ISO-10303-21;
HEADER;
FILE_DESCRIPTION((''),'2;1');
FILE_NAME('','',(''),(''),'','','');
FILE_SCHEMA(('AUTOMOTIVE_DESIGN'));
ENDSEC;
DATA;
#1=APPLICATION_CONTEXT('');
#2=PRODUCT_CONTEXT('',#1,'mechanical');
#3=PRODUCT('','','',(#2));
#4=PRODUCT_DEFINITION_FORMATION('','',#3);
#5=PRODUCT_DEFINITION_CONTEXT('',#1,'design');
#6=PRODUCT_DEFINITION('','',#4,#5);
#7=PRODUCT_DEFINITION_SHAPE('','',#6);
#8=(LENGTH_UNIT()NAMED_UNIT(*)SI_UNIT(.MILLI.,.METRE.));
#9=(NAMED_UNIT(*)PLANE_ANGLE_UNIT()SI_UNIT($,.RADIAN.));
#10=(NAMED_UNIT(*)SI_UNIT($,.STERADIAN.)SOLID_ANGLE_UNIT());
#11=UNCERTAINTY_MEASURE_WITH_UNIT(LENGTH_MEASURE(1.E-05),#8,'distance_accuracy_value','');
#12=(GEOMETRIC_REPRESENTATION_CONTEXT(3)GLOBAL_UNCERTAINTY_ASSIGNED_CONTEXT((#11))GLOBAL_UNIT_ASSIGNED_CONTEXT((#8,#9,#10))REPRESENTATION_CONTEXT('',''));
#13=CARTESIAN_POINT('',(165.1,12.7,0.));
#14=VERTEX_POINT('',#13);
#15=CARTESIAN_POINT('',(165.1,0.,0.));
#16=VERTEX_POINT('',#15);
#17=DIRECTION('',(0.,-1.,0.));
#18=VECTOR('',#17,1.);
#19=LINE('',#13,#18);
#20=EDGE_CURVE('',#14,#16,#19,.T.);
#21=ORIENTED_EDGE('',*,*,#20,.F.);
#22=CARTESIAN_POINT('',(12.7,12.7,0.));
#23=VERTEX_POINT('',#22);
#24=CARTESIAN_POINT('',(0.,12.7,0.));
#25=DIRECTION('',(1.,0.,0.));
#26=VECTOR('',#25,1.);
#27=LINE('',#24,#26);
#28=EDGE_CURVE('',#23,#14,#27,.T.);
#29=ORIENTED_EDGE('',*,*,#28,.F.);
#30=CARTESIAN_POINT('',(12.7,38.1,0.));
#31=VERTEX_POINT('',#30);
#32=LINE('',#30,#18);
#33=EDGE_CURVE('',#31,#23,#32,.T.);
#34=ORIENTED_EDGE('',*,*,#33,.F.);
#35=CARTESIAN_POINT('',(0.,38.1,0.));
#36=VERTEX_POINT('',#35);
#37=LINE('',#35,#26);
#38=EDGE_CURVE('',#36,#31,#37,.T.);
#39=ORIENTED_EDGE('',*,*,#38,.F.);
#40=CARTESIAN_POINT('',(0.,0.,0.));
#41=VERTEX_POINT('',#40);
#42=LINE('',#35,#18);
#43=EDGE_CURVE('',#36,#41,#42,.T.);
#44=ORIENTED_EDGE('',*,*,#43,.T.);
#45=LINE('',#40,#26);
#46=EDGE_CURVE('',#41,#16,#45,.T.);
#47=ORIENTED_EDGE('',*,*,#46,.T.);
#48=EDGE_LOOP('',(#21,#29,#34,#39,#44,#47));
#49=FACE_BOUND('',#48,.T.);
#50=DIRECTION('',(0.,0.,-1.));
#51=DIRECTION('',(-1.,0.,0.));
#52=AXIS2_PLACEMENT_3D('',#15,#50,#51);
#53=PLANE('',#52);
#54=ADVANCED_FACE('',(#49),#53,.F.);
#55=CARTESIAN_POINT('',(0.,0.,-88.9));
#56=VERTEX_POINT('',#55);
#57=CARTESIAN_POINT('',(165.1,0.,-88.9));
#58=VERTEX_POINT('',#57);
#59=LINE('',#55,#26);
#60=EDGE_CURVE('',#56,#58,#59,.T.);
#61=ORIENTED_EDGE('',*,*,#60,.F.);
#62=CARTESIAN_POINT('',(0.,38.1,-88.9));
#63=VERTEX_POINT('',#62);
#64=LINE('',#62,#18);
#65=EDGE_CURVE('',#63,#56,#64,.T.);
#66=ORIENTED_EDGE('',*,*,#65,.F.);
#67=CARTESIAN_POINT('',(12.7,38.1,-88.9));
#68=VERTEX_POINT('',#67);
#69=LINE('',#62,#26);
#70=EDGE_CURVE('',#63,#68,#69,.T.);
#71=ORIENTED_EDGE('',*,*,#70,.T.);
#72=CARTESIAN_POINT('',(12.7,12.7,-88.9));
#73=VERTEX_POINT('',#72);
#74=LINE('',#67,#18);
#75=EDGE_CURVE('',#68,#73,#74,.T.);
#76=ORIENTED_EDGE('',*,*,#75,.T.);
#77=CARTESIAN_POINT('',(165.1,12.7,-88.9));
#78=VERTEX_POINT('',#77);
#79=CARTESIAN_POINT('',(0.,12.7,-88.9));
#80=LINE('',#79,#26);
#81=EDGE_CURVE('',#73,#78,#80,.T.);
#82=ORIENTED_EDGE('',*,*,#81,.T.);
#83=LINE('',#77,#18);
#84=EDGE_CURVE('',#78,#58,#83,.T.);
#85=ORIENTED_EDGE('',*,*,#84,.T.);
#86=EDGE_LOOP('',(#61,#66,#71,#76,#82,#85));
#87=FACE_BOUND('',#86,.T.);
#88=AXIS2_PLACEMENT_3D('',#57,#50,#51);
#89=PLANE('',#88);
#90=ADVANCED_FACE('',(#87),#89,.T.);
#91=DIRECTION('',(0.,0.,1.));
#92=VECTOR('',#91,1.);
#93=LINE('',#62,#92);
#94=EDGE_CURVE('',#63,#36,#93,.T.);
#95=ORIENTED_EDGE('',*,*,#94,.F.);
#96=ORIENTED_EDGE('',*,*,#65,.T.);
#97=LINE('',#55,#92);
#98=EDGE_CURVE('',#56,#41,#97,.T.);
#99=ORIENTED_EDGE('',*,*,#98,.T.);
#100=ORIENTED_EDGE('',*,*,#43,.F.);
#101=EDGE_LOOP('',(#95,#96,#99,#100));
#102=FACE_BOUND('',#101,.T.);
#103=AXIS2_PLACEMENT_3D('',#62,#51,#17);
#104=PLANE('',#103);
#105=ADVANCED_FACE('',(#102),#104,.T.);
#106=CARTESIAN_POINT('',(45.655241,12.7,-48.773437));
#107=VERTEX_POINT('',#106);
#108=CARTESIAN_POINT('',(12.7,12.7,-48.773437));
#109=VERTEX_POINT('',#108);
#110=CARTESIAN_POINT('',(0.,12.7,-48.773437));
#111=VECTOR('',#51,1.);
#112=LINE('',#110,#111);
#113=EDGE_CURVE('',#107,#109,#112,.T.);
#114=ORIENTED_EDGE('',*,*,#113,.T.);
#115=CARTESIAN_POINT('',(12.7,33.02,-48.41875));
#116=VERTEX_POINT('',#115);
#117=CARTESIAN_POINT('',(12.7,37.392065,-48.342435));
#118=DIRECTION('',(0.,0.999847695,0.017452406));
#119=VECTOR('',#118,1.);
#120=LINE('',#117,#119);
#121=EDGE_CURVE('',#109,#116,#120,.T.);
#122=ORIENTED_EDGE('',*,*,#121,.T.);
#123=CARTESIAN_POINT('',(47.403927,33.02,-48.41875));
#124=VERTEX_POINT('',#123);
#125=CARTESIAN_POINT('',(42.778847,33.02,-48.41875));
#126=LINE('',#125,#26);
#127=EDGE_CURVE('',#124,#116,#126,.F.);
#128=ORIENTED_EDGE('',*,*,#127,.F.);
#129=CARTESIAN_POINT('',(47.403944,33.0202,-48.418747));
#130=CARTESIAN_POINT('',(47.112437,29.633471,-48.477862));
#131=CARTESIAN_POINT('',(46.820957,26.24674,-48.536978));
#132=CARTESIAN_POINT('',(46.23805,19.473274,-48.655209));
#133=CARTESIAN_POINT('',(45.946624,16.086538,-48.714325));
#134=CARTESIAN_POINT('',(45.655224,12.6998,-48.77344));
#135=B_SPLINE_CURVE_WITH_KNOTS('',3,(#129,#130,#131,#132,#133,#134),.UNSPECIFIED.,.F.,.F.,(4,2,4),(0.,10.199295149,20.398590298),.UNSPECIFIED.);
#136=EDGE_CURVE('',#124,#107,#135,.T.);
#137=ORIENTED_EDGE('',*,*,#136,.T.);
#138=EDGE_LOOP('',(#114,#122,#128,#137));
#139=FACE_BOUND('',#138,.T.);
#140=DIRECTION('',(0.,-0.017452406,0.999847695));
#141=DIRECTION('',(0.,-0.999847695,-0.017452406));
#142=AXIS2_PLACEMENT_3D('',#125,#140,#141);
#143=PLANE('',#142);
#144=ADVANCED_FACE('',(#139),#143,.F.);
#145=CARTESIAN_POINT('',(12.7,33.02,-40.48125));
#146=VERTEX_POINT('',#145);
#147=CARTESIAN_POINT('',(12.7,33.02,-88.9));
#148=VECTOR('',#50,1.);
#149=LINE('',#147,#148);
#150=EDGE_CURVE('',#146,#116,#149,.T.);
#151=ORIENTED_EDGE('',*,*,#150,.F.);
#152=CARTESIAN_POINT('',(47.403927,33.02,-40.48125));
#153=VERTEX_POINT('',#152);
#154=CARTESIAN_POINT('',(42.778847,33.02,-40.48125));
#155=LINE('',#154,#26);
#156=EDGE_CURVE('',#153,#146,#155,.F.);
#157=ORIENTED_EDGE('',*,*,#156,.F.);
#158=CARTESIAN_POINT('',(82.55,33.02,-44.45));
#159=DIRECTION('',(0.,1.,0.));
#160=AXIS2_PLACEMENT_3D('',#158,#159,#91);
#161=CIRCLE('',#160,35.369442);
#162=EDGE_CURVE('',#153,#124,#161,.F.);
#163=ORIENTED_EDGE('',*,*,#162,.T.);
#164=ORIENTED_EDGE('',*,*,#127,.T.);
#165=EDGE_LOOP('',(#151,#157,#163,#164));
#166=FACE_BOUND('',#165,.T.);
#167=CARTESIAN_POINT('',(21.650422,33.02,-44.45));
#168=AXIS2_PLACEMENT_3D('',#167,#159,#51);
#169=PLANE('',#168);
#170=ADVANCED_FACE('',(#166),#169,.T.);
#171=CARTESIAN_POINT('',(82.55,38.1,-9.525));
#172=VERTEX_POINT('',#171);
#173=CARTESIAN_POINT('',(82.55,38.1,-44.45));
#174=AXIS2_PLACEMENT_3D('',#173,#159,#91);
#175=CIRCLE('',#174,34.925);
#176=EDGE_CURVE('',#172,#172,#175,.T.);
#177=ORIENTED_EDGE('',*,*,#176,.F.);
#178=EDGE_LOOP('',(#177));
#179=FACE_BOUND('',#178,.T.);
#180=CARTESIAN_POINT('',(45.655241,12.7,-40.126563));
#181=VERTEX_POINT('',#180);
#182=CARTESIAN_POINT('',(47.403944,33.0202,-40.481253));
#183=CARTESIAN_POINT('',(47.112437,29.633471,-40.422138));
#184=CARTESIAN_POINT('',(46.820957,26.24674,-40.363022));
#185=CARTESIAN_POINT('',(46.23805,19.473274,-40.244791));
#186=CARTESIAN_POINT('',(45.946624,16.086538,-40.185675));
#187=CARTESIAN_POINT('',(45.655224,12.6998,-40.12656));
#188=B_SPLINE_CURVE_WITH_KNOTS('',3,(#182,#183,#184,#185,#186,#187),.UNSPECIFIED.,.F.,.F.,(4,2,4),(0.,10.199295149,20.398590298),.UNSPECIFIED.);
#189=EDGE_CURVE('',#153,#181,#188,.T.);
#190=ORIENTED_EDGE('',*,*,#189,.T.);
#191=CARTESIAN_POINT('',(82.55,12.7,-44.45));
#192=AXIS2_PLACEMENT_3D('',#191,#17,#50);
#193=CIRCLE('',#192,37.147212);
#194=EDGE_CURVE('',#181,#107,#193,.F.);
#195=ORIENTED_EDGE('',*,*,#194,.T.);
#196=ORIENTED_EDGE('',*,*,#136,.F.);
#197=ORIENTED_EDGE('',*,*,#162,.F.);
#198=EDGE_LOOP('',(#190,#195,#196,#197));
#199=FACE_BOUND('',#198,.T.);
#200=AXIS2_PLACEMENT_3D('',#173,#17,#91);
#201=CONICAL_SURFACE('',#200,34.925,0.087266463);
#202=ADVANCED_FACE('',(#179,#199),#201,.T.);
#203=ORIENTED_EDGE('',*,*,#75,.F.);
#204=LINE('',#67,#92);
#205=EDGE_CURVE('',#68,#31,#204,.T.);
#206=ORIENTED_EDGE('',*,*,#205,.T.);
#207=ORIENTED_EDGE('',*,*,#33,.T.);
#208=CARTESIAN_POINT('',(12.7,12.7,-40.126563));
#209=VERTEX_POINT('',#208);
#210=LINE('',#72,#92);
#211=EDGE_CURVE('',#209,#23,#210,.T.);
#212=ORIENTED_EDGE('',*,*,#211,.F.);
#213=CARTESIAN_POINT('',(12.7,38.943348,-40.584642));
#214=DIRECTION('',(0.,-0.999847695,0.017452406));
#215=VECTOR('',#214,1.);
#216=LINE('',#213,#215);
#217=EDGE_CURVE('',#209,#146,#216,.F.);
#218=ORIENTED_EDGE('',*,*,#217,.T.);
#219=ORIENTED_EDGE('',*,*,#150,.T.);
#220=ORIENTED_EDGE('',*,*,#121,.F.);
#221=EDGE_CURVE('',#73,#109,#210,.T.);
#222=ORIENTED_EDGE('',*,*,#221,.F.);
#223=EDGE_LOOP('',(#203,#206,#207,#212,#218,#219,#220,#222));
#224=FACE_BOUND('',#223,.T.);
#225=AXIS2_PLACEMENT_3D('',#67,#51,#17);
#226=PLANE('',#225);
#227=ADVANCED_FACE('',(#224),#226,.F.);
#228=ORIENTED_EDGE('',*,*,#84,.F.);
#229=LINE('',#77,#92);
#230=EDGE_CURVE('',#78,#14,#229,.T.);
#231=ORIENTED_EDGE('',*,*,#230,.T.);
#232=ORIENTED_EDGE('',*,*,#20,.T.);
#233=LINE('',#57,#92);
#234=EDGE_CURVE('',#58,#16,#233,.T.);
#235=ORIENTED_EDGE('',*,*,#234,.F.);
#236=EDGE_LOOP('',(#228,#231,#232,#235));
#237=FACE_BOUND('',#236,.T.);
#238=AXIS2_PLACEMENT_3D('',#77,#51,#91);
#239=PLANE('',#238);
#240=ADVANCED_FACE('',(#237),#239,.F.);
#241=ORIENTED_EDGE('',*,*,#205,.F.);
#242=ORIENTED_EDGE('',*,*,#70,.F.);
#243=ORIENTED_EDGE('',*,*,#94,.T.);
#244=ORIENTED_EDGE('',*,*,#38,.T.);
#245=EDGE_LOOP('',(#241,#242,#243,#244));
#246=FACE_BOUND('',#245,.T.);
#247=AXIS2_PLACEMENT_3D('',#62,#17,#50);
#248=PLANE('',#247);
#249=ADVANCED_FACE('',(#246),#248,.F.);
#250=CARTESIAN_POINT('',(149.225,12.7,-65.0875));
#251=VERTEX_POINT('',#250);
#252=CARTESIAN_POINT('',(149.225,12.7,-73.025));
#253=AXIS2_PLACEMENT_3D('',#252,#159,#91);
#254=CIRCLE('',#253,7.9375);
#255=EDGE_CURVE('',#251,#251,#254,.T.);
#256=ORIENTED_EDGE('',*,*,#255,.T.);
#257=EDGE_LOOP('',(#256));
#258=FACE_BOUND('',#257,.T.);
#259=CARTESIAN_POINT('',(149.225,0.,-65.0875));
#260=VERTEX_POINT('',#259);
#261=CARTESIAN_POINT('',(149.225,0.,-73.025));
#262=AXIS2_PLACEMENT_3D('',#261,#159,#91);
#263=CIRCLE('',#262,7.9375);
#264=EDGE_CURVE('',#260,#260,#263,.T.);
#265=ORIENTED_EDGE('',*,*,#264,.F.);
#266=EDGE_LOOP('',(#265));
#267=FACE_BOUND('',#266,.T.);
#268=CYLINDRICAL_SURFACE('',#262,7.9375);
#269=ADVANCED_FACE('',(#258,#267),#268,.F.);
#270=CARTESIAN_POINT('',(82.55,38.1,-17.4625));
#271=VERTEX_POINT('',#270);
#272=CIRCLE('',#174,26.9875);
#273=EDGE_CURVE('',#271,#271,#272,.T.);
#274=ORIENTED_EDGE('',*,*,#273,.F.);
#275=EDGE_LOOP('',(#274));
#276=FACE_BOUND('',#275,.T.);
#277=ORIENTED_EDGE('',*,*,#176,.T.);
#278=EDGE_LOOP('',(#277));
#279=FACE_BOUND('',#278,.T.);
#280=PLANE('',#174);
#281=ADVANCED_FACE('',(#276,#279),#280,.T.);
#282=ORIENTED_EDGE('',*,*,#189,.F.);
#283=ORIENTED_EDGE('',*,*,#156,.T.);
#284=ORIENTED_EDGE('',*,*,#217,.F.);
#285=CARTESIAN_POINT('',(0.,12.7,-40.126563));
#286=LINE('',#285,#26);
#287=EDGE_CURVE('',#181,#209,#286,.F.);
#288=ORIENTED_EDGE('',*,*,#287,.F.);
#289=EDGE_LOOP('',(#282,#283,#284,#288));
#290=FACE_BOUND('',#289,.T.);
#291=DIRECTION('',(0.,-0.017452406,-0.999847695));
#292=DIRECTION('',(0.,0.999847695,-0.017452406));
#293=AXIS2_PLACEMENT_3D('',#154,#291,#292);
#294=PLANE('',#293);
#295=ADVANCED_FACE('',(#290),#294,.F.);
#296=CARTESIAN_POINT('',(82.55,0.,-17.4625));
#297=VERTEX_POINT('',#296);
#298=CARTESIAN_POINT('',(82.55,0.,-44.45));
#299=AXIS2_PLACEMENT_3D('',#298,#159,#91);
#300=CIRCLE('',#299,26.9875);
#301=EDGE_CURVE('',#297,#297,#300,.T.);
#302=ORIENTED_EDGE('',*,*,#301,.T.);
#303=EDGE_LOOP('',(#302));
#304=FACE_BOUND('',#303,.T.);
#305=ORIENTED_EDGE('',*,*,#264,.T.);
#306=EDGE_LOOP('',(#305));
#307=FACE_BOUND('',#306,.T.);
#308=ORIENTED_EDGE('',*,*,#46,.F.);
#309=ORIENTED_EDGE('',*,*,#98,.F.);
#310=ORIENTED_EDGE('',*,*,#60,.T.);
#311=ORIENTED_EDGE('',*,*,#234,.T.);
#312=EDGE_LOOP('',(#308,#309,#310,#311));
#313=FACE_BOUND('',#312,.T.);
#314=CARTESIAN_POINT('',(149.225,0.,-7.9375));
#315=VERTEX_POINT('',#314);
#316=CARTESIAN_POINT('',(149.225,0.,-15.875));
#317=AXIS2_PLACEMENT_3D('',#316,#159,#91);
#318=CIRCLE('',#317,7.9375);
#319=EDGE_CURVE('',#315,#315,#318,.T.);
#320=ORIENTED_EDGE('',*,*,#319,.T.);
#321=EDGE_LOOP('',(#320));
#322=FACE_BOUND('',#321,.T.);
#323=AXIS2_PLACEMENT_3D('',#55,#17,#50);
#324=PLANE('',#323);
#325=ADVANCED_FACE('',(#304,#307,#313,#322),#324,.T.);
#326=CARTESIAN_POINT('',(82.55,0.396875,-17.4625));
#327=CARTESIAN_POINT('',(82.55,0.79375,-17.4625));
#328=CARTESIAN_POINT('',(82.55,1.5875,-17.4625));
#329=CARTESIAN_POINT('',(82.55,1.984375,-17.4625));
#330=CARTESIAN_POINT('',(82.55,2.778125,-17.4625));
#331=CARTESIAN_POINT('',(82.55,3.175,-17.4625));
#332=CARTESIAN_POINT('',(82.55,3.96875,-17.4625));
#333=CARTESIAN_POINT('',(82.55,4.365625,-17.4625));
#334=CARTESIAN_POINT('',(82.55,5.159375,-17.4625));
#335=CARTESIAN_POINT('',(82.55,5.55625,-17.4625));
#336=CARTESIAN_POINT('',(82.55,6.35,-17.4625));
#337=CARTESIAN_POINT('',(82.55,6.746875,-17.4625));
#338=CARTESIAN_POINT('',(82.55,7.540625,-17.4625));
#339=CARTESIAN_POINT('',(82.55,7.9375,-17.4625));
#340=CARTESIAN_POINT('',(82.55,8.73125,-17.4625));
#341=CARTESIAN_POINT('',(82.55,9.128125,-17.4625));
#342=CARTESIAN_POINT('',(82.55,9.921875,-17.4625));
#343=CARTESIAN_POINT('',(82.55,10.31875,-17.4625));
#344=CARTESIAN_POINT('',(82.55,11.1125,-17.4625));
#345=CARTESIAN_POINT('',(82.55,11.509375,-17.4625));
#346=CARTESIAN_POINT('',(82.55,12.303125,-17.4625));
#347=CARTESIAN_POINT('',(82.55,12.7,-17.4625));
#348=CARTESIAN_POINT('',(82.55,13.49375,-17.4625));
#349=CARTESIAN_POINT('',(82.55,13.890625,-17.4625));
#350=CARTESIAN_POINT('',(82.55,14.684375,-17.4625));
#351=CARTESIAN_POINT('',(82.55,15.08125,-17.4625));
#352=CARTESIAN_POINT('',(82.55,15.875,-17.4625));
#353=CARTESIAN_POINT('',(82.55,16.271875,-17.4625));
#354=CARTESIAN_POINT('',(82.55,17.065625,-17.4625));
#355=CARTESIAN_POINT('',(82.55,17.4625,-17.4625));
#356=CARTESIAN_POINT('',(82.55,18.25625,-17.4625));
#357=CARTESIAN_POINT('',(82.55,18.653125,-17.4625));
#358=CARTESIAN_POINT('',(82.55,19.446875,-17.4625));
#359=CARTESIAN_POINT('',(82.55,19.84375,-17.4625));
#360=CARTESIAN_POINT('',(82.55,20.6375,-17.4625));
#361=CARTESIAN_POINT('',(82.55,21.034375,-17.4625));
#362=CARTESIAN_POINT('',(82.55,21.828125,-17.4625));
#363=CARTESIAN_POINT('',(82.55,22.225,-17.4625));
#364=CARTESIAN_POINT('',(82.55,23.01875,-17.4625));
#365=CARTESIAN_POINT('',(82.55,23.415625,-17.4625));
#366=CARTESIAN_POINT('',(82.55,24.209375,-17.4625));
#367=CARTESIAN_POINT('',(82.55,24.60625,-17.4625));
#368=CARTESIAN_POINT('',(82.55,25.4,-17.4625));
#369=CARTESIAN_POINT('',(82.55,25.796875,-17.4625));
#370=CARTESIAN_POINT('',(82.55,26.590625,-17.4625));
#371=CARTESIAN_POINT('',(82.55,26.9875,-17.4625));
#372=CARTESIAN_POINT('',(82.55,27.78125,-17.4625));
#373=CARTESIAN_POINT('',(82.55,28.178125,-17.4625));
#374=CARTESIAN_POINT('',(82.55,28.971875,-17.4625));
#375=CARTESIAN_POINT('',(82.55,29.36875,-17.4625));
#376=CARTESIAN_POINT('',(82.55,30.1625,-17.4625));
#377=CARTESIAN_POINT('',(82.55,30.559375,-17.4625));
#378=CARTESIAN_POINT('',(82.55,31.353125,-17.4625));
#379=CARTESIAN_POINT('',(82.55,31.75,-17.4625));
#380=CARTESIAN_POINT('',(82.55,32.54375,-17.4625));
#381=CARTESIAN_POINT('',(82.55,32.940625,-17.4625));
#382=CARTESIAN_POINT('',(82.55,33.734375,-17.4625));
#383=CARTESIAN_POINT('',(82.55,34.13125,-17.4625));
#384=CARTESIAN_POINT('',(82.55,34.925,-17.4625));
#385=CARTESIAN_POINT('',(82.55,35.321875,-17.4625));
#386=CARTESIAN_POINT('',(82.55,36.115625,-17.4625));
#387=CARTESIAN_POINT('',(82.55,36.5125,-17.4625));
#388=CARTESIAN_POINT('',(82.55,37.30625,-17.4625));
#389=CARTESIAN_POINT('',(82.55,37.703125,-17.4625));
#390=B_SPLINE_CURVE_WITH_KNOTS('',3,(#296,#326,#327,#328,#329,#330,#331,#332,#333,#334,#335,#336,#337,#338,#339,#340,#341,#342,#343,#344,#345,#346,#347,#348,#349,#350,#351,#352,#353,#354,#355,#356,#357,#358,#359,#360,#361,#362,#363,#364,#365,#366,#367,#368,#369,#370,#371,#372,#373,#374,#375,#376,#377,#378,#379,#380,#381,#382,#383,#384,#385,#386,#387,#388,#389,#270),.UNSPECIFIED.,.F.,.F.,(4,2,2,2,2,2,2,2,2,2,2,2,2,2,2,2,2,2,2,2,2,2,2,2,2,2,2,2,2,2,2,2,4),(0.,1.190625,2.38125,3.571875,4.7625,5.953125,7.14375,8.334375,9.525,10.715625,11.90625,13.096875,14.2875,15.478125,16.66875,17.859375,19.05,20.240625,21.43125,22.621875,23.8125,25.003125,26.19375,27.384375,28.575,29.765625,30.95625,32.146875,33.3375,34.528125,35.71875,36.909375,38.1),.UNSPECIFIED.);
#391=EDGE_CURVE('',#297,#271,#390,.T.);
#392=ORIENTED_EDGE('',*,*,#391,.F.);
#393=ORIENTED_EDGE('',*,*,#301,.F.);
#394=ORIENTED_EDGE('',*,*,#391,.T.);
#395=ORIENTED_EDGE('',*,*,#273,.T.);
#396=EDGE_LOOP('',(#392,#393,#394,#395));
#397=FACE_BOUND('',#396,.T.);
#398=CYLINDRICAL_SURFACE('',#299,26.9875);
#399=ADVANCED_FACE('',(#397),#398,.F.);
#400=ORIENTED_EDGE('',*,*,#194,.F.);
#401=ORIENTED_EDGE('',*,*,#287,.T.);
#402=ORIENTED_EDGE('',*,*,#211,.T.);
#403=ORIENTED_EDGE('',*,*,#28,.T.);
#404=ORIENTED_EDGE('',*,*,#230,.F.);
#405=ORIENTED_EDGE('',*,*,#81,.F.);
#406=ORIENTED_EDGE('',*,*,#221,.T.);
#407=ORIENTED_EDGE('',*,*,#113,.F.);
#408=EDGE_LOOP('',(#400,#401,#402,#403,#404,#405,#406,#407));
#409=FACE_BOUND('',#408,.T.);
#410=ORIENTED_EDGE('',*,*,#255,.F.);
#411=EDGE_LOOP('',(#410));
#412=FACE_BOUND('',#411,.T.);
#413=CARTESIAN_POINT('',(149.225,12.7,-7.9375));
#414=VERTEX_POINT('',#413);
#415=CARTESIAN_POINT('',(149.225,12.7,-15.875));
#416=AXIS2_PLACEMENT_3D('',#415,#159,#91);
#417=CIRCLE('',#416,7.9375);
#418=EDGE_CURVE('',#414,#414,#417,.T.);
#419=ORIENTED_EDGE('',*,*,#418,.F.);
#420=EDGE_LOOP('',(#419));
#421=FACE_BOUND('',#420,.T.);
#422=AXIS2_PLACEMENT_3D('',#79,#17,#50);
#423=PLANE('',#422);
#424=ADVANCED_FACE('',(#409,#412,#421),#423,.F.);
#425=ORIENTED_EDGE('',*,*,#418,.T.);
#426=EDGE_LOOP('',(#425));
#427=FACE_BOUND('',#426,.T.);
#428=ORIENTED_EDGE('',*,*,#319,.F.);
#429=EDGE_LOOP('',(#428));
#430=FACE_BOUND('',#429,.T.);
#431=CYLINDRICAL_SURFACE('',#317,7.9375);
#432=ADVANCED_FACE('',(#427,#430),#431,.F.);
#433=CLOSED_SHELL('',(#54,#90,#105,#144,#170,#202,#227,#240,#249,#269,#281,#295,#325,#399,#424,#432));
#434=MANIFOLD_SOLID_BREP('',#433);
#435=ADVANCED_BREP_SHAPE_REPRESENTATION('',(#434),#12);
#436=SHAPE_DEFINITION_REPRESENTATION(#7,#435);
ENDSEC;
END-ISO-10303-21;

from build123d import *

# Parameters (mm, degrees)
BASE_EXTRUDE_THIN_DEPTH = 88.9
BOSS_EXTRUDE1_REACH     = 193.345
SKETCH2_R               = 34.925
BOSS_EXTRUDE1_DRAFT     = 5
SKETCH3_R               = 26.9875
CUT_EXTRUDE1_DEPTH      = 192.344793501
SKETCH4_R               = 7.9375
CUT_EXTRUDE2_DEPTH      = 190.225738207
RIB1_REACH              = 192.398
SKETCH5_WALLS_W         = 403.925170957
SKETCH5_WALLS_H         = 7.9375
RIB1_DRAFT_ANGLE        = 1


with BuildPart() as part:
    # Sketch1 → Base-Extrude-Thin (new body)
    with BuildSketch(Plane.XY):
        Polygon((0, 38.1), (0, 0), (165.1, 0), (165.1, 12.7), (12.7, 12.7), (12.7, 38.1), align=None)
    extrude(amount=-BASE_EXTRUDE_THIN_DEPTH)




with BuildPart() as boss_extrude1_long_prism_1:
    # Sketch2 → Boss-Extrude1 (the long prism of profile 1, to be tilted and cut off)
    with BuildSketch(Plane(origin=(0, 38.1, 0), x_dir=(-1, 0, 0), z_dir=(0, 1, 0))):
        with Locations((-82.55, -44.45)):
            Circle(SKETCH2_R)
    extrude(amount=-BOSS_EXTRUDE1_REACH)
    boss_extrude1_tool1_sides = [boss_extrude1_long_prism_1.faces().sort_by_distance(p)[0] for p in [
        (117.475, -58.5725, -44.45),
    ]]
    draft(boss_extrude1_tool1_sides, Plane(origin=(0, 38.1, 0), x_dir=(-1, 0, 0), z_dir=(0, 1, 0)), BOSS_EXTRUDE1_DRAFT)  # the draft: side faces tilted about the start plane


with BuildPart() as part_1:
    add(part.part)
    boss_extrude1_tool1 = boss_extrude1_long_prism_1.part - part.part
    add(boss_extrude1_tool1.solids().sort_by_distance((82.55, 38.1, -44.45))[0])

    # Sketch3 → Cut-Extrude1 (cut, through all)
    with BuildSketch(Plane(origin=(0, 38.1, 0), x_dir=(-1, 0, 0), z_dir=(0, 1, 0))):
        with Locations(Location((-82.55, -44.45, 0), (0, 0, 90))):
            Circle(SKETCH3_R)
    extrude(amount=-CUT_EXTRUDE1_DEPTH, mode=Mode.SUBTRACT)

    # Sketch4 → Cut-Extrude2 (cut, through all)
    with BuildSketch(Plane(origin=(0, 12.7, 0), x_dir=(-1, 0, 0), z_dir=(0, 1, 0))):
        with Locations(Location((-149.225, -15.875, 0), (0, 0, 90))):
            Circle(SKETCH4_R)
        with Locations(Location((-149.225, -73.025, 0), (0, 0, 90))):
            Circle(SKETCH4_R)
    extrude(amount=-CUT_EXTRUDE2_DEPTH, mode=Mode.SUBTRACT)

    # Sketch5 walls → Rib1 (add, up to next)
    with BuildSketch(Plane(origin=(0, 33.02, 0), x_dir=(-1, 0, 0), z_dir=(0, 1, 0)), mode=Mode.PRIVATE) as rib1_sk1:
        with Locations((-32.214634147, -44.45)):
            Rectangle(SKETCH5_WALLS_W, SKETCH5_WALLS_H)
    rib1_tool1 = extrude(rib1_sk1.sketch, amount=-RIB1_REACH, mode=Mode.PRIVATE) - part_1.part
    add(rib1_tool1.solids().sort_by_distance((32.214634146, 33.02, -44.45))[0])

    # Rib1 draft
    rib1_draft_faces = [part_1.faces().sort_by_distance(p)[0] for p in [
        (32.214634147, 32.52, -48.41875),
        (32.214634147, 32.52, -40.48125),
    ]]
    draft(rib1_draft_faces, Plane(origin=(32.214634146, 33.02, -44.45), x_dir=(-1, 0, 0), z_dir=(0, 1, 0)), RIB1_DRAFT_ANGLE)


solid = part_1.part
